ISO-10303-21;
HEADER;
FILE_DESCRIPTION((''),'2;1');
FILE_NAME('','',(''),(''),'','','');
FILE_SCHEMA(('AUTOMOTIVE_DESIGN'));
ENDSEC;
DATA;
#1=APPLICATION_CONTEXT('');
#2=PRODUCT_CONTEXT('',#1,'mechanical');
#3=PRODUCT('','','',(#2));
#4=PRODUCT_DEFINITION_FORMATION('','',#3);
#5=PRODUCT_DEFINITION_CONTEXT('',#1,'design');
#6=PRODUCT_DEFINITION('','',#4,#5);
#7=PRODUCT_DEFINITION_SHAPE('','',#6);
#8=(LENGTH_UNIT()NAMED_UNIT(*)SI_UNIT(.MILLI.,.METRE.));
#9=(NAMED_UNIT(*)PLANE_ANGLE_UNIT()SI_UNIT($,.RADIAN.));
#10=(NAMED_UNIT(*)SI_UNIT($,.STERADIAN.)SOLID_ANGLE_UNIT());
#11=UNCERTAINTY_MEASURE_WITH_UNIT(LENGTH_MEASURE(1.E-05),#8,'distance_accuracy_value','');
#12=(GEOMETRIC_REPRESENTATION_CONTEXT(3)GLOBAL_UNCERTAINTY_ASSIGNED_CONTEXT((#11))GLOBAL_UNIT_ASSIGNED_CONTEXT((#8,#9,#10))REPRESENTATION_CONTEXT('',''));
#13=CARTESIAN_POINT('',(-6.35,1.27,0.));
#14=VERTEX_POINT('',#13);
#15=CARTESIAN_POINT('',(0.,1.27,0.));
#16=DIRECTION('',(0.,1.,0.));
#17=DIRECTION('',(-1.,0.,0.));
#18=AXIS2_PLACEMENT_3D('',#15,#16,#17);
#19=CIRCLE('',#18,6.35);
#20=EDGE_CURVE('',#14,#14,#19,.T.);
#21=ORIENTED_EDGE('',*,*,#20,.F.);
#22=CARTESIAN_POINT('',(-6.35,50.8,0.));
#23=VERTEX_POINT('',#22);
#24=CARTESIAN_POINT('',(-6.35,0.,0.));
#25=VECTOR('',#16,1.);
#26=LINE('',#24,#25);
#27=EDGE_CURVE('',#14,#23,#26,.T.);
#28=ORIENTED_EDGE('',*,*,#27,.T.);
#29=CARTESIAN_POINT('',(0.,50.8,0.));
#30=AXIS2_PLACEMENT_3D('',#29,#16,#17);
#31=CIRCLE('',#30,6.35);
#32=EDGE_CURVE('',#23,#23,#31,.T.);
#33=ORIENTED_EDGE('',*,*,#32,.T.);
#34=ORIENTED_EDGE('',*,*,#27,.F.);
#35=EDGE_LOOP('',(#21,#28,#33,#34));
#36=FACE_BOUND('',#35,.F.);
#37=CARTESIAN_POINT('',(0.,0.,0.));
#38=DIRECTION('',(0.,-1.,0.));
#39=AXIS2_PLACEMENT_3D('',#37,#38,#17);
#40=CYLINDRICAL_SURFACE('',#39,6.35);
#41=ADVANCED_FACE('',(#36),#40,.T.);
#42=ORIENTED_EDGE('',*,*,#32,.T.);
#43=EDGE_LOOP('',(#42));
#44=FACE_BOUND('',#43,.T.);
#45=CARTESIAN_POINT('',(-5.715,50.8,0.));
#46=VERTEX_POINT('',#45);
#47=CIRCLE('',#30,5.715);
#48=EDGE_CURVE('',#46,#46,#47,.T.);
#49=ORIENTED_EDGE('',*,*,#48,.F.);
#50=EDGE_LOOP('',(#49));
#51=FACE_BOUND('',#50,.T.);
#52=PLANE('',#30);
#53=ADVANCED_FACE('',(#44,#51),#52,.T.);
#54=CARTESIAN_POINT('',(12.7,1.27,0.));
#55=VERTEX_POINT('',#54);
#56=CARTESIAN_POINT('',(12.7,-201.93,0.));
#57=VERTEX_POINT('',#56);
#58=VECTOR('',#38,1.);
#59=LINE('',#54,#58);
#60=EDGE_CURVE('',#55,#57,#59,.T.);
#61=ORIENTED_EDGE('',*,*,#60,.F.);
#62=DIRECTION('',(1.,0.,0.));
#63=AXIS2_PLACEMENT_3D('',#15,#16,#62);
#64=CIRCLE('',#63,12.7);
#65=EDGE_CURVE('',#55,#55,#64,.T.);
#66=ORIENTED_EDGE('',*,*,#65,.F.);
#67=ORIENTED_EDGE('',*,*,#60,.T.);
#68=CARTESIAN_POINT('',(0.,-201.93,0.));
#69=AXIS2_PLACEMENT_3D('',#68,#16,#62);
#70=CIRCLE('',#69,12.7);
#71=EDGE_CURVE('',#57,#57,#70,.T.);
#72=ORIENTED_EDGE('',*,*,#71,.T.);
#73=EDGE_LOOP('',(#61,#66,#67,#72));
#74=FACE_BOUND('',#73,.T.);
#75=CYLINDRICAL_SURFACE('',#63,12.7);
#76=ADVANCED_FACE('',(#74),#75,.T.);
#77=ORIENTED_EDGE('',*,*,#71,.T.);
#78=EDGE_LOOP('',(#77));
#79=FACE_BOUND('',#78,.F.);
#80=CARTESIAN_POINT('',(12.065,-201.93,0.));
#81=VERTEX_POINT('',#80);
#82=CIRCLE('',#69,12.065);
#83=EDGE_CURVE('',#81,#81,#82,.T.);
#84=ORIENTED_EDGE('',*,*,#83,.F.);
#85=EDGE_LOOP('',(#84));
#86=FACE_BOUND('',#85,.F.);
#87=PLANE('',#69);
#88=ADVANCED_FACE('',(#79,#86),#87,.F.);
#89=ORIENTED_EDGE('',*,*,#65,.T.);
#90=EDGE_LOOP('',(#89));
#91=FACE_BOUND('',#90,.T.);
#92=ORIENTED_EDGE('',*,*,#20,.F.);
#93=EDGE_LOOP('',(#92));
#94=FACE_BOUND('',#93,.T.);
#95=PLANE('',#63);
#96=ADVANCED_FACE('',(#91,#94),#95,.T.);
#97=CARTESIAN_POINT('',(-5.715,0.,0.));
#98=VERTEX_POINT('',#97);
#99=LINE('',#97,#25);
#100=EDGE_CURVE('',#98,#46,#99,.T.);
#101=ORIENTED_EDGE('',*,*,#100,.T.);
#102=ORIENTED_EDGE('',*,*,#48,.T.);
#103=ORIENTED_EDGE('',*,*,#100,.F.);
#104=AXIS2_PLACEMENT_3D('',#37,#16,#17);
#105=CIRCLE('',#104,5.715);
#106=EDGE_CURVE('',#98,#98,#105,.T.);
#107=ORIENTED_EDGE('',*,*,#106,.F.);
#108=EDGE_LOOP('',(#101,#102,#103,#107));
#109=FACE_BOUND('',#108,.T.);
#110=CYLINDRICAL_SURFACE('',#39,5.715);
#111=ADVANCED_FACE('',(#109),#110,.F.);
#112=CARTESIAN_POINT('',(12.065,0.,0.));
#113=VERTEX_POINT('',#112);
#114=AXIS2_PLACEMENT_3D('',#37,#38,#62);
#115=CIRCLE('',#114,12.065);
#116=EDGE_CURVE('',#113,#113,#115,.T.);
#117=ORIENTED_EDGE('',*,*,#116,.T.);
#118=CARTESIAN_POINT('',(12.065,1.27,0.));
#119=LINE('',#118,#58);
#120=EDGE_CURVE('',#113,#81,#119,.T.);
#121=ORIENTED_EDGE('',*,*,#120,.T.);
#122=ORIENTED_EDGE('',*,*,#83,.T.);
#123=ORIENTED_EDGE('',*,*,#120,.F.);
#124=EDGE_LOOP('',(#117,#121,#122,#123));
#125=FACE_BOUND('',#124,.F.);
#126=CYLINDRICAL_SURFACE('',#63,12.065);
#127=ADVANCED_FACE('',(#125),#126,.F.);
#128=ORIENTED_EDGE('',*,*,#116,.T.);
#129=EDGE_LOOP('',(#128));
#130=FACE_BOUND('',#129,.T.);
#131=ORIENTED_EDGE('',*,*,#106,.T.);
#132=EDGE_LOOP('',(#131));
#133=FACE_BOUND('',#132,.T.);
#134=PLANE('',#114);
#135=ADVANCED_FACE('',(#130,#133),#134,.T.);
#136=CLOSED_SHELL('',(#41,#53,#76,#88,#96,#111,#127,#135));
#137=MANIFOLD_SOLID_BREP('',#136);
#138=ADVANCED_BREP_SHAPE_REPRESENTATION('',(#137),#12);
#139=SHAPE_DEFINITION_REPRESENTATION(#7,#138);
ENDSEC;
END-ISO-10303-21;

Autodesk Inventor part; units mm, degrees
ref_plane "YZ Plane" through (0, 0, 0) normal (1, 0, 0) x (0, 1, 0)
ref_plane "XZ Plane" through (0, 0, 0) normal (0, 1, 0) x (-1, 0, 0)
ref_plane "XY Plane" through (0, 0, 0) normal (0, 0, 1) x (1, 0, 0)
sketch "Sketch1" plane through (0, 0, 0) normal (0, 1, 0) x (-1, 0, 0)
  circle A0 centre (0, 0) radius 6.35
  circle A1 centre (0, 0) radius 5.715
  dimension "d0" = 12.7
  dimension "d1" = 0.635
extrude "Extrusion1" add sketch "Sketch1" along normal blind 50.8
sketch "Sketch2" plane through (0, 0, 0) normal (0, -1, 0) x (1, 0, 0)
  circle A0 centre (0, 0) radius 6.35
  circle A1 centre (0, 0) radius 6.35 projected
  circle A2 centre (0, 0) radius 12.065
  dimension "d4" = 24.13
extrude "Extrusion2" add sketch "Sketch2" against normal blind 1.27
sketch "Sketch3" plane through (0, 1.27, 0) normal (0, 1, 0) x (1, 0, 0)
  circle A0 centre (0, 0) radius 12.065
  circle A1 centre (0, 0) radius 12.065 projected
  circle A2 centre (0, 0) radius 12.7
  dimension "d7" = 25.4
extrude "Extrusion3" add sketch "Sketch3" against normal blind 203.2
properties part number "still pipe small.iam" material "Stainless Steel"
